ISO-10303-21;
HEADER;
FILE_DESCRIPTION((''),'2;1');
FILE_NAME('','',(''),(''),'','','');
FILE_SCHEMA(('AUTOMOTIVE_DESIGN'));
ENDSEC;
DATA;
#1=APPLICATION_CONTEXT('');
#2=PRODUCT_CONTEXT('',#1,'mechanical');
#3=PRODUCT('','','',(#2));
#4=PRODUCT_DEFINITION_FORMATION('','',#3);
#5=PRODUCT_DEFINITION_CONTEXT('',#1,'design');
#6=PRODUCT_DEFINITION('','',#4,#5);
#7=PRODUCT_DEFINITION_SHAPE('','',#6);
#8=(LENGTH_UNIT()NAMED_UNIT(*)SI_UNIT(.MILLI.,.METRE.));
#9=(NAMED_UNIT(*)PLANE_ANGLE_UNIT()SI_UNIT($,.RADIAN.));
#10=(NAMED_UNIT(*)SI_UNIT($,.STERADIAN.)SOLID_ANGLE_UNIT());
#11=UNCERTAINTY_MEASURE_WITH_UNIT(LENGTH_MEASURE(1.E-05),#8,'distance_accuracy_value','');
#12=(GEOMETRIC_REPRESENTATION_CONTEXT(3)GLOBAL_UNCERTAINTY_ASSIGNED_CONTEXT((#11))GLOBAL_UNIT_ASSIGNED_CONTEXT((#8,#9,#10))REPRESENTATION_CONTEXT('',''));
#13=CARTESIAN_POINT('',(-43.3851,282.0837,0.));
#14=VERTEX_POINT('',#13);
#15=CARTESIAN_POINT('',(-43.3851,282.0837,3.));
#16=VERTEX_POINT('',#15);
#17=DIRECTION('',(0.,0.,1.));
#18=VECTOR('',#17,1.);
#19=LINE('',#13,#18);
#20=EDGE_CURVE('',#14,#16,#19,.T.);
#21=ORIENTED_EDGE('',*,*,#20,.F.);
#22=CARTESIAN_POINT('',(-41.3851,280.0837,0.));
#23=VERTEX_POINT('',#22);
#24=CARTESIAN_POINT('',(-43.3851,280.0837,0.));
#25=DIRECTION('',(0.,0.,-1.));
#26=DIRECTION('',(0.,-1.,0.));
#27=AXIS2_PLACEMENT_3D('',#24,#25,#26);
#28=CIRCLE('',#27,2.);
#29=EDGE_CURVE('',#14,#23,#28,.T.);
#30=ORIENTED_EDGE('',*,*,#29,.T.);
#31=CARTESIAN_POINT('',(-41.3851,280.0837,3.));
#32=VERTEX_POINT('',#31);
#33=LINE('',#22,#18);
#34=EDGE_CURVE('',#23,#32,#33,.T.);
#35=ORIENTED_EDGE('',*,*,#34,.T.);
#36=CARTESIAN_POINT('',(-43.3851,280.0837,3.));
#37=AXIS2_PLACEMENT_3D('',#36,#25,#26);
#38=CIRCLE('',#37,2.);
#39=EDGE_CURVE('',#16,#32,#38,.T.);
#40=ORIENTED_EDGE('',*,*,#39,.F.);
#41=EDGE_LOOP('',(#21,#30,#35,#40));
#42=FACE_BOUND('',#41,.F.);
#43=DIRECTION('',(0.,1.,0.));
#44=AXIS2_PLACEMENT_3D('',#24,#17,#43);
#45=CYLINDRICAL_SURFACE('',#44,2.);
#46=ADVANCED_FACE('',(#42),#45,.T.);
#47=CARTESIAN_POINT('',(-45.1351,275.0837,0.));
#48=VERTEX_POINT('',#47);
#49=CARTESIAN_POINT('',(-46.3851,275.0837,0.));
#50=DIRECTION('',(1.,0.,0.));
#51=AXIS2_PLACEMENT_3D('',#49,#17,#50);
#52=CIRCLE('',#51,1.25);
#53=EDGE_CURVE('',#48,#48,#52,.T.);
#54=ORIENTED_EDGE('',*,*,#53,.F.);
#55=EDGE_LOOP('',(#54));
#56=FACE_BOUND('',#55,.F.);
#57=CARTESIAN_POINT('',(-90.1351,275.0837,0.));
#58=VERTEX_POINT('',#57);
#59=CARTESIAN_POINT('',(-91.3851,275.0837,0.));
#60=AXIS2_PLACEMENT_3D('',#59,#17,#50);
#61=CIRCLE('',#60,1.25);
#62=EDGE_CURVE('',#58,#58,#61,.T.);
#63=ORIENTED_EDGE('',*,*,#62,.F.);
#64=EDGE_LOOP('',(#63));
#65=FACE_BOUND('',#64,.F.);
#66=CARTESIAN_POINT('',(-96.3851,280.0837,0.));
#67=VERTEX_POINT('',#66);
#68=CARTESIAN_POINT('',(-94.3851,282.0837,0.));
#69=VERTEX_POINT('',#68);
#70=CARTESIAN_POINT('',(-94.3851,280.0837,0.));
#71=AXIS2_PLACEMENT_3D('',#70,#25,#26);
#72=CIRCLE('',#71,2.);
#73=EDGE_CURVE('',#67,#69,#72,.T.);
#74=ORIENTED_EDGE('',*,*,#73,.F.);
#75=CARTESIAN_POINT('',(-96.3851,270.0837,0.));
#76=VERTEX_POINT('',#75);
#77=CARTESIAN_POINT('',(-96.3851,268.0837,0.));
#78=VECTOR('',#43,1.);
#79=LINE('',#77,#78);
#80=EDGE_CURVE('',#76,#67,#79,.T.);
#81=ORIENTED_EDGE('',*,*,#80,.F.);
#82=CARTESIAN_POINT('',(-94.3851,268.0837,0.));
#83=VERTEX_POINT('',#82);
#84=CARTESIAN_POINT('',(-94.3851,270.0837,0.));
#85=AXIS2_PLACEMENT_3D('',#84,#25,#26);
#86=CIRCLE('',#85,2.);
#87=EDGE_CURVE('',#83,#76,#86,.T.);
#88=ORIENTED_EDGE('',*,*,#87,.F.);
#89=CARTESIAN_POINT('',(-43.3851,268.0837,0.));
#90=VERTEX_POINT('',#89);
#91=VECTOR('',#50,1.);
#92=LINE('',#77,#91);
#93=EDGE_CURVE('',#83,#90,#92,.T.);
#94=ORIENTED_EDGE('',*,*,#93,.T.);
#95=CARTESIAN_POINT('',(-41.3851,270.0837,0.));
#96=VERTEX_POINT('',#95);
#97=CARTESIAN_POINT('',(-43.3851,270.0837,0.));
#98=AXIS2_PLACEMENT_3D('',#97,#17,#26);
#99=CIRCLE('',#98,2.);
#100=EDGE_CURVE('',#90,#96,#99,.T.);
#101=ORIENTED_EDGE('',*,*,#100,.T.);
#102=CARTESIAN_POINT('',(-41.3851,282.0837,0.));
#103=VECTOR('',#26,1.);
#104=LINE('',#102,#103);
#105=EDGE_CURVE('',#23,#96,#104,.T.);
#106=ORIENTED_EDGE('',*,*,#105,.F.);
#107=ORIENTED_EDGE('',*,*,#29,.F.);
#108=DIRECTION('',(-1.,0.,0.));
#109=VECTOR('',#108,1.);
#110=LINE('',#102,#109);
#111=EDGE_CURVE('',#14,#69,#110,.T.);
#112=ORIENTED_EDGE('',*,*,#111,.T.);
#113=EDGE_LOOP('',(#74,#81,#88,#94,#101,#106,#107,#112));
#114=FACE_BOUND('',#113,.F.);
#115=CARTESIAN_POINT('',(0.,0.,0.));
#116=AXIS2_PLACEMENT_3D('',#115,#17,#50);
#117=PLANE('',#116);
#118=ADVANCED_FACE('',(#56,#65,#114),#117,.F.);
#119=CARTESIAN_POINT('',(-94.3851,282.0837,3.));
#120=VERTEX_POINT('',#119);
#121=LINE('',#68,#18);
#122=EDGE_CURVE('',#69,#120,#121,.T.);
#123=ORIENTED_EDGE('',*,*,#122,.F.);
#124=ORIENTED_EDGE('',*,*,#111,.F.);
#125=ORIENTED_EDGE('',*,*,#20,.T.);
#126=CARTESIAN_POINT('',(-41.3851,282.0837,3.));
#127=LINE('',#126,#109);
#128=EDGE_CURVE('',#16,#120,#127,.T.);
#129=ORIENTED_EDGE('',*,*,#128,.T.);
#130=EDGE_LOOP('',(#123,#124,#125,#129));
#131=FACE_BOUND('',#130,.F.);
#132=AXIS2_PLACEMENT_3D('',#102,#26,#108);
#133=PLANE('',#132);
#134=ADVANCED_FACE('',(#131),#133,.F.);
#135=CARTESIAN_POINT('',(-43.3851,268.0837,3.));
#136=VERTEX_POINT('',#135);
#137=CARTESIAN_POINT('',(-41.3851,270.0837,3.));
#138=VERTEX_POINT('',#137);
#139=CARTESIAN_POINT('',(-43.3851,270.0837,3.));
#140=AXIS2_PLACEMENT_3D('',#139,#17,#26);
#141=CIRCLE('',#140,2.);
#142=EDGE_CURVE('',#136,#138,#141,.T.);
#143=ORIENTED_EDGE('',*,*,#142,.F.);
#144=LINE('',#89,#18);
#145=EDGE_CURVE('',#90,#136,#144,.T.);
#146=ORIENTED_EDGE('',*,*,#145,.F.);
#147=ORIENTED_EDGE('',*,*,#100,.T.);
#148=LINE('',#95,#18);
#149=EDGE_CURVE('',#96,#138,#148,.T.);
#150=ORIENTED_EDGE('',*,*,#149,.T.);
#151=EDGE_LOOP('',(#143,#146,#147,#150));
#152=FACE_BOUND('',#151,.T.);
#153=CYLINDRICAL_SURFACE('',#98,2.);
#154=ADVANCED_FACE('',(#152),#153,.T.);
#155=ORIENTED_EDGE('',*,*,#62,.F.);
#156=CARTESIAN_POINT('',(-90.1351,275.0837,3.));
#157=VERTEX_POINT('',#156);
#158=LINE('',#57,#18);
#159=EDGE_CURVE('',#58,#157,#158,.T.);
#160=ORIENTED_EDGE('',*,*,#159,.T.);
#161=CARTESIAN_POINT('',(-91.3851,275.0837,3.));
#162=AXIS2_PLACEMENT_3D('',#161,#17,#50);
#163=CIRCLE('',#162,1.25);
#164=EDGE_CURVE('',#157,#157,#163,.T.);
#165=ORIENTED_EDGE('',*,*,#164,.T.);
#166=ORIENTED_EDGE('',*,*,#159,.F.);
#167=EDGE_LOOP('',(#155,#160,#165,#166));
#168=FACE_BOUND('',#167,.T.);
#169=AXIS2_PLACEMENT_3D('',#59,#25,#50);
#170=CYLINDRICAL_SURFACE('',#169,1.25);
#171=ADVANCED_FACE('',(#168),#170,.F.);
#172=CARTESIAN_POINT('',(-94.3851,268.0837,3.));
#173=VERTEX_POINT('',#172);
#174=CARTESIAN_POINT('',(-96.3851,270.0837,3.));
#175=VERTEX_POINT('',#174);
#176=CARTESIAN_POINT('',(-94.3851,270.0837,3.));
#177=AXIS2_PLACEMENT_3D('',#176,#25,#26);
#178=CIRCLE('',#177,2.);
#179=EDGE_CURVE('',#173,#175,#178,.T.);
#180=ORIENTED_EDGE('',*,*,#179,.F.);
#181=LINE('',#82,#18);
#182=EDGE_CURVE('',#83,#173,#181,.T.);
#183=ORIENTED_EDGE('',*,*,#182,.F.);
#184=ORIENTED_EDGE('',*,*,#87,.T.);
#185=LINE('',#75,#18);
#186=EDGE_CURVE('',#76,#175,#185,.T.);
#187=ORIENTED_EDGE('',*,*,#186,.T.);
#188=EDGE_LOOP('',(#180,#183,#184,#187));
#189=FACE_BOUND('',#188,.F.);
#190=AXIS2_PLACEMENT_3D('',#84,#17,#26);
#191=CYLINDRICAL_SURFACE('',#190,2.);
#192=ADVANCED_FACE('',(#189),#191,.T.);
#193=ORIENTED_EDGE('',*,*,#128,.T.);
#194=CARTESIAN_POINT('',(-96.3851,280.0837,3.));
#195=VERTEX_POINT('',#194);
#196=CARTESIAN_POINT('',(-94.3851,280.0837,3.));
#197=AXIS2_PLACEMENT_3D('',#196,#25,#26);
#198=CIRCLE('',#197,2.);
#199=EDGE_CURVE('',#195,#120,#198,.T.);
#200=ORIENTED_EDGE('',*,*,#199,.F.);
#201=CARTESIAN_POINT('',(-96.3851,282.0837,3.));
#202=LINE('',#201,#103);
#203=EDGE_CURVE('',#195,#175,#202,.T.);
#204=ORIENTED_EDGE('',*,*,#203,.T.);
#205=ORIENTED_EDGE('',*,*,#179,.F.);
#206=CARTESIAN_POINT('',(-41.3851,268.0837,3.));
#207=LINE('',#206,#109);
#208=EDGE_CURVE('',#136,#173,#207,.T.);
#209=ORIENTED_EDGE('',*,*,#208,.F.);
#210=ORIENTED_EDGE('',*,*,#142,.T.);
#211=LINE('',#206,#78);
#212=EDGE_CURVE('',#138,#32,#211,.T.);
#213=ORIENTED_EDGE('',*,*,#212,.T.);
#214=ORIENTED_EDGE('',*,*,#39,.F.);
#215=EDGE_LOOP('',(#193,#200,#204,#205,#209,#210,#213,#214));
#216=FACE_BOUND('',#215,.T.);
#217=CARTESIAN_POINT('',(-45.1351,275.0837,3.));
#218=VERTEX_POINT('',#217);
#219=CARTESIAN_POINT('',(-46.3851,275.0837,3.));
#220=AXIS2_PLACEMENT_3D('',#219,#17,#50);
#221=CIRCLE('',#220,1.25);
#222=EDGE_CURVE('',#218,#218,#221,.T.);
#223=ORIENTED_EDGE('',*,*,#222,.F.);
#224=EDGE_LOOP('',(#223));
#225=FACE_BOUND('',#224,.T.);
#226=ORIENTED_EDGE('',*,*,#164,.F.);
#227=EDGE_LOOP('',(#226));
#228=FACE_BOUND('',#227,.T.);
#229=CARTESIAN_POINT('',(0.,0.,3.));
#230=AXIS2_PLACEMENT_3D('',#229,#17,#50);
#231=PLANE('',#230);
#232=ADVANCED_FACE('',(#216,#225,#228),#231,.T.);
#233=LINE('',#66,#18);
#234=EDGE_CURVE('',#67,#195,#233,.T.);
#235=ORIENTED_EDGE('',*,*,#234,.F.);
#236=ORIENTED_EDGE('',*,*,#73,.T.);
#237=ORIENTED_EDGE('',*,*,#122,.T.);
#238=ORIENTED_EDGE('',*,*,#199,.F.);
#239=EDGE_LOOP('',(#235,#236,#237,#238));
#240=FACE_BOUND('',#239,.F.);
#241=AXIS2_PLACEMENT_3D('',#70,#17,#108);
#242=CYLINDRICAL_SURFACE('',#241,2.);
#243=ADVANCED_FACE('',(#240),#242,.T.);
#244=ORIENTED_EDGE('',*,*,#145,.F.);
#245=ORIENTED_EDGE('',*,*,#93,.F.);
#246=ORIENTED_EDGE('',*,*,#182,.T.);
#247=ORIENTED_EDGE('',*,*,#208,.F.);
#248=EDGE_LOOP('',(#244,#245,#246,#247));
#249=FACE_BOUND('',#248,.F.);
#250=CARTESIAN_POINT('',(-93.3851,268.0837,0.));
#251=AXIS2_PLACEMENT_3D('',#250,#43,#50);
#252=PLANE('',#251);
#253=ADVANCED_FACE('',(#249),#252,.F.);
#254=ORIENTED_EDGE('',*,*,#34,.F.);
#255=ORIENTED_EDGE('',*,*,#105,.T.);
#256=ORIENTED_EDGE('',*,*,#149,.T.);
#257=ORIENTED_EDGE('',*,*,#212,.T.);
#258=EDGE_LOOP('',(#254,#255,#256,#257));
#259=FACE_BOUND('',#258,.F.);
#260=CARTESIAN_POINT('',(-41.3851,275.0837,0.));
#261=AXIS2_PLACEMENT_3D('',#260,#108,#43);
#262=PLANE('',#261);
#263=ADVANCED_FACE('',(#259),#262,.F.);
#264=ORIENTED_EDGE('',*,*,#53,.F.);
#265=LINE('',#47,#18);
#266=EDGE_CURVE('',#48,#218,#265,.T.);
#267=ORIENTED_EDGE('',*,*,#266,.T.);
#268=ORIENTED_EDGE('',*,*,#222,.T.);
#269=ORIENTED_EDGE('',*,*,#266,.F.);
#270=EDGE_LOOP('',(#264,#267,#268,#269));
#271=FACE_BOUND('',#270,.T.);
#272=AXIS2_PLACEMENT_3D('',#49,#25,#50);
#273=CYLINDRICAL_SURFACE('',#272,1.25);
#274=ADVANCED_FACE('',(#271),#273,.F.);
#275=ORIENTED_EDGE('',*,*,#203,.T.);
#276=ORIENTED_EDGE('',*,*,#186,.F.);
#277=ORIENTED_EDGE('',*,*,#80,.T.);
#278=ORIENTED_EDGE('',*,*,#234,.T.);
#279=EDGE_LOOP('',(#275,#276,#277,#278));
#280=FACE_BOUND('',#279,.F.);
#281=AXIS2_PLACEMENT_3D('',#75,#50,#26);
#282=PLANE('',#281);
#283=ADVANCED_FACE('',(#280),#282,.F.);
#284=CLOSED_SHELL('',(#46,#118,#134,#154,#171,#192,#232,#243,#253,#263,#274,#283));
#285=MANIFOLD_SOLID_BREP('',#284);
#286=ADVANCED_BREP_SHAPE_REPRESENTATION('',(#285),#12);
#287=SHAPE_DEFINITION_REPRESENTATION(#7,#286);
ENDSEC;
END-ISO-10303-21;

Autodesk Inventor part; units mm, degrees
ref_plane "YZ Plane" through (0, 0, 0) normal (1, 0, 0) x (0, 1, 0)
ref_plane "XZ Plane" through (0, 0, 0) normal (0, 1, 0) x (-1, 0, 0)
ref_plane "XY Plane" through (0, 0, 0) normal (0, 0, 1) x (1, 0, 0)
sketch "Sketch1" plane through (0, 0, 0) normal (0, 0, 1) x (1, 0, 0)
  arc A0 (-89.3851, 275.0837) -> (-93.3851, 275.0837) centre (-91.3851, 275.0837) ccw projected
  line L0 (-89.3851, 275.0837) -> (-89.3851, 230.0837) projected
  arc A1 (-93.3851, 230.0837) -> (-89.3851, 230.0837) centre (-91.3851, 230.0837) ccw projected
  line L1 (-93.3851, 230.0837) -> (-93.3851, 275.0837) projected
  arc A2 (-44.3851, 275.0837) -> (-48.3851, 275.0837) centre (-46.3851, 275.0837) ccw projected
  line L2 (-44.3851, 275.0837) -> (-44.3851, 230.0837) projected
  arc A3 (-48.3851, 230.0837) -> (-44.3851, 230.0837) centre (-46.3851, 230.0837) ccw projected
  line L3 (-48.3851, 230.0837) -> (-48.3851, 275.0837) projected
  circle A4 centre (-6.132, -79.3472) radius 1.25 projected
  circle A5 centre (-145.3842, 185.8247) radius 1.5 projected
  circle A6 centre (-153.8932, -1.3222) radius 1.5 projected
  circle A7 centre (-145.3842, -79.3472) radius 1.5 projected
  circle A8 centre (-129.8902, 6.8528) radius 1.5 projected
  circle A9 centre (-116.3012, -71.1722) radius 1.5 projected
  circle A10 centre (-129.8902, 272.0247) radius 1.5 projected
  circle A11 centre (-129.8902, 185.8247) radius 1.5 projected
  circle A12 centre (-116.3012, 263.8497) radius 1.5 projected
  circle A13 centre (17.871, -71.1722) radius 1.5 projected
  circle A14 centre (-6.132, 6.8528) radius 1.5 projected
  circle A15 centre (-19.721, -1.3222) radius 1.5 projected
  circle A16 centre (17.871, 263.8497) radius 1.5 projected
  circle A17 centre (9.362, 272.0247) radius 1.5 projected
  circle A18 centre (9.362, 185.8247) radius 1.5 projected
  circle A19 centre (-19.721, 193.9997) radius 1.5 projected
  circle A20 centre (-19.721, 263.8497) radius 1.5 projected
  circle A21 centre (-6.132, 185.8247) radius 1.5 projected
  circle A22 centre (-6.132, 272.0247) radius 1.5 projected
  circle A23 centre (17.871, 193.9997) radius 1.5 projected
  circle A24 centre (-19.721, -71.1722) radius 1.5 projected
  circle A25 centre (9.362, -79.3472) radius 1.5 projected
  circle A26 centre (9.362, 6.8528) radius 1.5 projected
  circle A27 centre (17.871, -1.3222) radius 1.5 projected
  circle A28 centre (-116.3012, 193.9997) radius 1.5 projected
  circle A29 centre (-153.8932, 193.9997) radius 1.5 projected
  circle A30 centre (-153.8932, 263.8497) radius 1.5 projected
  circle A31 centre (-145.3842, 6.8528) radius 1.5 projected
  circle A32 centre (-129.8902, -79.3472) radius 1.5 projected
  circle A33 centre (-153.8932, -71.1722) radius 1.5 projected
  circle A34 centre (-116.3012, -1.3222) radius 1.5 projected
  circle A35 centre (-145.3842, 272.0247) radius 1.5 projected
  arc A36 (81.2372, 206.8201) -> (56.4499, 266.1206) centre (-44.5185, 189.0856) ccw projected
  ellipse E0 centre (-68.0111, 96.3387) end of major axis (-68.0111, -141.4053) minor radius 177.8 (56.4499, 266.1206) -> (-192.4721, 266.1206) ccw projected
  arc A37 (-192.4721, 266.1206) -> (-217.2594, 206.8201) centre (-91.5037, 189.0856) ccw projected
  arc A38 (-217.2594, 206.8201) -> (-217.2594, -14.1426) centre (566.1677, 96.3387) ccw projected
  arc A39 (-217.2594, -14.1426) -> (-192.4721, -73.4431) centre (-91.5037, 3.5918) ccw projected
  ellipse E1 centre (-68.0111, 96.3387) end of major axis (-68.0111, -141.4053) minor radius 177.8 (-192.4721, -73.4431) -> (56.4499, -73.4431) ccw projected
  arc A40 (56.4499, -73.4431) -> (81.2372, -14.1426) centre (-44.5185, 3.5918) ccw projected
  arc A41 (81.2372, -14.1426) -> (81.2372, 206.8201) centre (-702.1899, 96.3387) ccw projected
  circle A42 centre (-36.4956, 248.9087) radius 1.25 projected
  circle A43 centre (-101.2746, 318.7587) radius 1.25 projected
  circle A44 centre (-101.2746, 248.9087) radius 1.25 projected
  circle A45 centre (-36.4956, 318.7587) radius 1.25 projected
  circle A46 centre (-77.2861, -128.5803) radius 1.25 projected
  circle A47 centre (-92.2681, -54.079) radius 1.25 projected
  circle A48 centre (-53.9141, -54.079) radius 1.25 projected
  circle A49 centre (-58.7361, -128.5803) radius 1.25 projected
  line L4 (-82.971, -17.5241) -> (-82.971, 43.3967) projected
  line L5 (-82.971, 43.3967) -> (-52.491, 43.3967) projected
  line L6 (-52.491, 43.3967) -> (-52.491, -17.5241) projected
  line L7 (-52.491, -17.5241) -> (-82.971, -17.5241) projected
  circle A50 centre (-68.0111, 137.616) radius 35 projected
  line L8 (-123.7158, 171.3631) -> (-119.7158, 171.3631) projected
  arc A51 (-119.7158, 168.3632) -> (-119.7158, 171.3631) centre (-119.7158, 169.8631) ccw projected
  line L9 (-119.7158, 168.3632) -> (-123.7158, 168.3632) projected
  arc A52 (-123.7158, 171.3631) -> (-123.7158, 168.3632) centre (-123.7158, 169.8631) ccw projected
  line L10 (-123.6698, 106.6744) -> (-119.6698, 106.6744) projected
  arc A53 (-119.6698, 103.6746) -> (-119.6698, 106.6744) centre (-119.6698, 105.1745) ccw projected
  line L11 (-119.6698, 103.6746) -> (-123.6698, 103.6746) projected
  arc A54 (-123.6698, 106.6744) -> (-123.6698, 103.6746) centre (-123.6698, 105.1745) ccw projected
  line L12 (-9.1669, 171.4444) -> (-5.1669, 171.4444) projected
  arc A55 (-5.1669, 168.4446) -> (-5.1669, 171.4444) centre (-5.1669, 169.9445) ccw projected
  line L13 (-5.1669, 168.4446) -> (-9.1669, 168.4446) projected
  arc A56 (-9.1669, 171.4444) -> (-9.1669, 168.4446) centre (-9.1669, 169.9445) ccw projected
  line L14 (-5.1669, 103.6742) -> (-9.1669, 103.6742) projected
  arc A57 (-9.1669, 106.6741) -> (-9.1669, 103.6742) centre (-9.1669, 105.1742) ccw projected
  line L15 (-9.1669, 106.6741) -> (-5.1669, 106.6741) projected
  arc A58 (-5.1669, 103.6742) -> (-5.1669, 106.6741) centre (-5.1669, 105.1742) ccw projected
  arc A59 (-34.0816, 86.6493) -> (-37.0792, 86.6494) centre (-35.5804, 86.6492) ccw projected
  line L16 (-34.0816, 86.6493) -> (-34.0814, 82.6493) projected
  arc A60 (-37.0794, 82.6493) -> (-34.0814, 82.6493) centre (-35.5804, 82.6492) ccw projected
  line L17 (-37.0794, 82.6493) -> (-37.0792, 86.6494) projected
  arc A61 (-34.0865, 201.0395) -> (-37.0841, 201.0395) centre (-35.5853, 201.0395) ccw projected
  line L18 (-34.0865, 201.0395) -> (-34.0863, 197.0396) projected
  arc A62 (-37.0843, 197.0395) -> (-34.0863, 197.0396) centre (-35.5853, 197.0395) ccw projected
  line L19 (-37.0843, 197.0395) -> (-37.0841, 201.0395) projected
  arc A63 (-34.0812, 78.9993) -> (-37.0788, 78.9992) centre (-35.58, 78.9992) ccw projected
  line L20 (-34.0812, 78.9993) -> (-34.081, 74.9993) projected
  arc A64 (-37.079, 74.9993) -> (-34.081, 74.9993) centre (-35.58, 74.9992) ccw projected
  line L21 (-37.079, 74.9993) -> (-37.0788, 78.9992) projected
  arc A65 (-98.9325, 193.3865) -> (-101.9301, 193.3866) centre (-100.4313, 193.3865) ccw projected
  line L22 (-98.9325, 193.3865) -> (-98.9323, 189.3866) projected
  arc A66 (-101.9303, 189.3866) -> (-98.9323, 189.3866) centre (-100.4313, 189.3865) ccw projected
  line L23 (-101.9303, 189.3866) -> (-101.9301, 193.3866) projected
  circle A67 centre (-95.163, -4.4165) radius 1.25 projected
  circle A68 centre (-36.616, 37.0467) radius 1.25 projected
  circle A69 centre (-46.141, -14.3491) radius 1.25 projected
  circle A70 centre (-36.616, -11.1741) radius 1.25 projected
  circle A71 centre (-36.616, 12.9421) radius 1.25 projected
  circle A72 centre (-46.141, 40.2217) radius 1.25 projected
  circle A73 centre (-95.163, 40.4375) radius 1.25 projected
  arc A74 (-98.8512, 78.9533) -> (-101.8488, 78.9533) centre (-100.35, 78.9533) ccw projected
  line L24 (-98.8512, 78.9533) -> (-98.851, 74.9533) projected
  arc A75 (-101.849, 74.9533) -> (-98.851, 74.9533) centre (-100.35, 74.9533) ccw projected
  line L25 (-101.849, 74.9533) -> (-101.8488, 78.9533) projected
  line L26 (-34.0865, 193.3895) -> (-34.0863, 189.3896) projected
  arc A76 (-37.0843, 189.3896) -> (-34.0863, 189.3896) centre (-35.5853, 189.3895) ccw projected
  line L27 (-37.0843, 189.3896) -> (-37.0841, 193.3896) projected
  arc A77 (-34.0865, 193.3895) -> (-37.0841, 193.3896) centre (-35.5853, 193.3895) ccw projected
  arc A78 (-98.9379, 201.0395) -> (-101.9362, 200.9947) centre (-100.4367, 200.9934) ccw projected
  line L28 (-98.9379, 201.0395) -> (-98.9377, 196.9935) projected
  arc A79 (-101.9357, 196.9932) -> (-98.9377, 196.9935) centre (-100.4367, 196.9934) ccw projected
  line L29 (-101.9357, 196.9932) -> (-101.9362, 200.9947) projected
  arc A80 (-98.8567, 86.6032) -> (-101.8543, 86.6033) centre (-100.3555, 86.6032) ccw projected
  line L30 (-98.8567, 86.6032) -> (-98.8565, 82.6033) projected
  arc A81 (-101.8544, 82.6033) -> (-98.8565, 82.6033) centre (-100.3555, 82.6032) ccw projected
  line L31 (-101.8544, 82.6033) -> (-101.8543, 86.6033) projected
  line L32 (-16.8169, 106.6744) -> (-12.8169, 106.6744) projected
  arc A82 (-12.8169, 103.6746) -> (-12.8169, 106.6744) centre (-12.8169, 105.1745) ccw projected
  line L33 (-12.8169, 103.6746) -> (-16.8169, 103.6746) projected
  arc A83 (-16.8169, 106.6744) -> (-16.8169, 103.6746) centre (-16.8169, 105.1745) ccw projected
  line L34 (-16.8629, 171.439) -> (-12.8629, 171.439) projected
  arc A84 (-12.8629, 168.4391) -> (-12.8629, 171.439) centre (-12.8629, 169.9391) ccw projected
  line L35 (-12.8629, 168.4391) -> (-16.8629, 168.4391) projected
  arc A85 (-16.8629, 171.439) -> (-16.8629, 168.4391) centre (-16.8629, 169.9391) ccw projected
  line L36 (-131.3198, 106.6744) -> (-127.3198, 106.6744) projected
  arc A86 (-127.3198, 103.6746) -> (-127.3198, 106.6744) centre (-127.3198, 105.1745) ccw projected
  line L37 (-127.3198, 103.6746) -> (-131.3198, 103.6746) projected
  arc A87 (-131.3198, 106.6744) -> (-131.3198, 103.6746) centre (-131.3198, 105.1745) ccw projected
  line L38 (-131.3658, 171.3576) -> (-127.3658, 171.3576) projected
  arc A88 (-127.3658, 168.3578) -> (-127.3658, 171.3576) centre (-127.3658, 169.8577) ccw projected
  line L39 (-127.3658, 168.3578) -> (-131.3658, 168.3578) projected
  arc A89 (-131.3658, 171.3576) -> (-131.3658, 168.3578) centre (-131.3658, 169.8577) ccw projected
  circle A90 centre (-46.3851, 275.0837) radius 1.25 projected
  circle A91 centre (-91.3851, 275.0837) radius 1.25 projected
  line L40 (-41.3851, 222.0837) -> (-41.3851, 377.0837) projected
  line L41 (-96.3851, 377.0837) -> (-96.3851, 222.0837) projected
  line L42 (-46.3851, 275.0837) -> (-41.3851, 275.0837)
  line L43 (-41.3851, 275.0837) -> (-41.3851, 268.0837)
  line L44 (-41.3851, 268.0837) -> (-41.3851, 282.0837)
  line L45 (-41.3851, 282.0837) -> (-96.3851, 282.0837)
  line L46 (-41.3851, 274.0837) -> (-41.3851, 282.0837)
  line L47 (-41.3851, 282.0837) -> (-96.3851, 282.0837)
  line L48 (-96.3851, 282.0837) -> (-96.3851, 270.0837)
  line L49 (-41.3851, 270.0837) -> (-41.3851, 282.0837)
  line L50 (-41.3851, 282.0837) -> (-96.3851, 282.0837)
  line L51 (-96.3851, 282.0837) -> (-96.3851, 268.0837)
  line L52 (-96.3851, 268.0837) -> (-41.3851, 268.0837)
  line L53 (-41.3851, 268.0837) -> (-41.3851, 282.0837)
  point P0 (0, 0)
  dimension "d0" = 7
  dimension "d1" = 14
extrude "Extrusion1" add sketch "Sketch1" along normal blind 3 contours L0 L52 L1 A0 | A0 L1 L52 L41 L45 L40 L42 A2 L3 L0 | L3 A2 L2 L52 | L2 L42 L40 L52
fillet "Fillet1" radius 2 4 edges at (-96.3851, 282.0837, 1.5) (-96.3851, 268.0837, 1.5) (-41.3851, 268.0837, 1.5) (-41.3851, 282.0837, 1.5)
properties part number "HeadSlide"
